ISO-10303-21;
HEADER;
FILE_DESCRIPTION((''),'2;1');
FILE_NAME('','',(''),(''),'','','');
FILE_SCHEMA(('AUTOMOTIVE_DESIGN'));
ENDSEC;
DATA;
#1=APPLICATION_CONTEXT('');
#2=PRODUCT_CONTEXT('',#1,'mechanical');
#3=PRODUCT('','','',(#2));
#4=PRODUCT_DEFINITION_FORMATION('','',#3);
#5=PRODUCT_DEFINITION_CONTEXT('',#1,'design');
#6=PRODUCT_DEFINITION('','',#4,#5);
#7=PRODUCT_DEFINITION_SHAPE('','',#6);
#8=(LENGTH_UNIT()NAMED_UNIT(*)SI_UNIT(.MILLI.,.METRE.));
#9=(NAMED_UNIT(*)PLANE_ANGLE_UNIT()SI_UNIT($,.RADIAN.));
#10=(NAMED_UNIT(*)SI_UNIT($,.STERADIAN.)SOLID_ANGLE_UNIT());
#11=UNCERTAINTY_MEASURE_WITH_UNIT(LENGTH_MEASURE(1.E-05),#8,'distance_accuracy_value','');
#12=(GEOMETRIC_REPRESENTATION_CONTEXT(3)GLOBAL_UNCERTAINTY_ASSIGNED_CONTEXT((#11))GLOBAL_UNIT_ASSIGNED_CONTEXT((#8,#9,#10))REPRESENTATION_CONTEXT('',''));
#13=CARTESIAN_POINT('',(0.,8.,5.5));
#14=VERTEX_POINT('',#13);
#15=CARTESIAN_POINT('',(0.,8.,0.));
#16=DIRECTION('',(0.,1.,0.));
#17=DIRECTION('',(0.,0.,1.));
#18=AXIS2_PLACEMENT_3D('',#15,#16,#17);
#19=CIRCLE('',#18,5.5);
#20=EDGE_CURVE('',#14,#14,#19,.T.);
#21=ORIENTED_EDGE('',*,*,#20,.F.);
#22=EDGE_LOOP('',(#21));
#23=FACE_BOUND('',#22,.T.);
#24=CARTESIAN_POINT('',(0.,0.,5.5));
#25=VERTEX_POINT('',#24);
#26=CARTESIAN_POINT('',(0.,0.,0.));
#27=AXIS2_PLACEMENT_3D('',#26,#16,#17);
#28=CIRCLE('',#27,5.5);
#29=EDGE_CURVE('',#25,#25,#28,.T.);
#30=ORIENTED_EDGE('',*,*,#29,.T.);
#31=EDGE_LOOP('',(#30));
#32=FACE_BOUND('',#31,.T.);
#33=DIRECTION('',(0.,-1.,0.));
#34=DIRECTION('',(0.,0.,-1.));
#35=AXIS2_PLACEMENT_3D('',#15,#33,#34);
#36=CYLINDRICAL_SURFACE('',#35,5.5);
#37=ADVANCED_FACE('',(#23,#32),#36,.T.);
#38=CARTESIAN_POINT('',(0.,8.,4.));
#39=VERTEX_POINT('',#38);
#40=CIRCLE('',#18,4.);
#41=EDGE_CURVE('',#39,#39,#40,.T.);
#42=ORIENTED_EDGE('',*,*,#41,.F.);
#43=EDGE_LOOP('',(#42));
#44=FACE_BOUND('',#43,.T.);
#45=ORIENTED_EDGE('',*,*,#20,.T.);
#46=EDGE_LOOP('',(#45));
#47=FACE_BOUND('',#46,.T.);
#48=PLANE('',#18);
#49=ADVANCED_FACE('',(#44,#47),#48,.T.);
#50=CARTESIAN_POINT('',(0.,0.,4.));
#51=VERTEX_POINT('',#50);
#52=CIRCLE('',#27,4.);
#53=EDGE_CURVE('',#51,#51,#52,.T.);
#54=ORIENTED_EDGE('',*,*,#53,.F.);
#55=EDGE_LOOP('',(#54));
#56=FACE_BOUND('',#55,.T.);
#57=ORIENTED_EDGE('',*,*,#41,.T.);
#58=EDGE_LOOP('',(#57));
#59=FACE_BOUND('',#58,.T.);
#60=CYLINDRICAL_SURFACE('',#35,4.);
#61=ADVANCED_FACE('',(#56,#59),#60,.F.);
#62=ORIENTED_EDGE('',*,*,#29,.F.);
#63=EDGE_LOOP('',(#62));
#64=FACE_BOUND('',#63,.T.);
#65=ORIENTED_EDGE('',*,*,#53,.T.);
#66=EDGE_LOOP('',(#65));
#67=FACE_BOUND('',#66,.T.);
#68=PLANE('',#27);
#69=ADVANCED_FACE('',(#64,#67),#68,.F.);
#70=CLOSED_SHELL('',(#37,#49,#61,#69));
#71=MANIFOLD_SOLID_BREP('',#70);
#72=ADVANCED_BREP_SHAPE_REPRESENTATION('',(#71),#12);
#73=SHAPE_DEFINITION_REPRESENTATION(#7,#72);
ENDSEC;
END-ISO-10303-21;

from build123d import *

# Parameters (mm, degrees)
SKETCH1_R           = 5.5
SKETCH1_R_2         = 4
BOSS_EXTRUDE1_DEPTH = 8


with BuildPart() as part:
    # Sketch1 → Boss-Extrude1 (new body)
    with BuildSketch(Plane(origin=(0, 0, 0), x_dir=(1, 0, 0), z_dir=(0, 1, 0))):
        with Locations(Location((0, 0, 0), (0, 0, 270))):
            Circle(SKETCH1_R)
        with Locations(Location((0, 0, 0), (0, 0, 270))):
            Circle(SKETCH1_R_2, mode=Mode.SUBTRACT)
    extrude(amount=BOSS_EXTRUDE1_DEPTH)


solid = part.part
